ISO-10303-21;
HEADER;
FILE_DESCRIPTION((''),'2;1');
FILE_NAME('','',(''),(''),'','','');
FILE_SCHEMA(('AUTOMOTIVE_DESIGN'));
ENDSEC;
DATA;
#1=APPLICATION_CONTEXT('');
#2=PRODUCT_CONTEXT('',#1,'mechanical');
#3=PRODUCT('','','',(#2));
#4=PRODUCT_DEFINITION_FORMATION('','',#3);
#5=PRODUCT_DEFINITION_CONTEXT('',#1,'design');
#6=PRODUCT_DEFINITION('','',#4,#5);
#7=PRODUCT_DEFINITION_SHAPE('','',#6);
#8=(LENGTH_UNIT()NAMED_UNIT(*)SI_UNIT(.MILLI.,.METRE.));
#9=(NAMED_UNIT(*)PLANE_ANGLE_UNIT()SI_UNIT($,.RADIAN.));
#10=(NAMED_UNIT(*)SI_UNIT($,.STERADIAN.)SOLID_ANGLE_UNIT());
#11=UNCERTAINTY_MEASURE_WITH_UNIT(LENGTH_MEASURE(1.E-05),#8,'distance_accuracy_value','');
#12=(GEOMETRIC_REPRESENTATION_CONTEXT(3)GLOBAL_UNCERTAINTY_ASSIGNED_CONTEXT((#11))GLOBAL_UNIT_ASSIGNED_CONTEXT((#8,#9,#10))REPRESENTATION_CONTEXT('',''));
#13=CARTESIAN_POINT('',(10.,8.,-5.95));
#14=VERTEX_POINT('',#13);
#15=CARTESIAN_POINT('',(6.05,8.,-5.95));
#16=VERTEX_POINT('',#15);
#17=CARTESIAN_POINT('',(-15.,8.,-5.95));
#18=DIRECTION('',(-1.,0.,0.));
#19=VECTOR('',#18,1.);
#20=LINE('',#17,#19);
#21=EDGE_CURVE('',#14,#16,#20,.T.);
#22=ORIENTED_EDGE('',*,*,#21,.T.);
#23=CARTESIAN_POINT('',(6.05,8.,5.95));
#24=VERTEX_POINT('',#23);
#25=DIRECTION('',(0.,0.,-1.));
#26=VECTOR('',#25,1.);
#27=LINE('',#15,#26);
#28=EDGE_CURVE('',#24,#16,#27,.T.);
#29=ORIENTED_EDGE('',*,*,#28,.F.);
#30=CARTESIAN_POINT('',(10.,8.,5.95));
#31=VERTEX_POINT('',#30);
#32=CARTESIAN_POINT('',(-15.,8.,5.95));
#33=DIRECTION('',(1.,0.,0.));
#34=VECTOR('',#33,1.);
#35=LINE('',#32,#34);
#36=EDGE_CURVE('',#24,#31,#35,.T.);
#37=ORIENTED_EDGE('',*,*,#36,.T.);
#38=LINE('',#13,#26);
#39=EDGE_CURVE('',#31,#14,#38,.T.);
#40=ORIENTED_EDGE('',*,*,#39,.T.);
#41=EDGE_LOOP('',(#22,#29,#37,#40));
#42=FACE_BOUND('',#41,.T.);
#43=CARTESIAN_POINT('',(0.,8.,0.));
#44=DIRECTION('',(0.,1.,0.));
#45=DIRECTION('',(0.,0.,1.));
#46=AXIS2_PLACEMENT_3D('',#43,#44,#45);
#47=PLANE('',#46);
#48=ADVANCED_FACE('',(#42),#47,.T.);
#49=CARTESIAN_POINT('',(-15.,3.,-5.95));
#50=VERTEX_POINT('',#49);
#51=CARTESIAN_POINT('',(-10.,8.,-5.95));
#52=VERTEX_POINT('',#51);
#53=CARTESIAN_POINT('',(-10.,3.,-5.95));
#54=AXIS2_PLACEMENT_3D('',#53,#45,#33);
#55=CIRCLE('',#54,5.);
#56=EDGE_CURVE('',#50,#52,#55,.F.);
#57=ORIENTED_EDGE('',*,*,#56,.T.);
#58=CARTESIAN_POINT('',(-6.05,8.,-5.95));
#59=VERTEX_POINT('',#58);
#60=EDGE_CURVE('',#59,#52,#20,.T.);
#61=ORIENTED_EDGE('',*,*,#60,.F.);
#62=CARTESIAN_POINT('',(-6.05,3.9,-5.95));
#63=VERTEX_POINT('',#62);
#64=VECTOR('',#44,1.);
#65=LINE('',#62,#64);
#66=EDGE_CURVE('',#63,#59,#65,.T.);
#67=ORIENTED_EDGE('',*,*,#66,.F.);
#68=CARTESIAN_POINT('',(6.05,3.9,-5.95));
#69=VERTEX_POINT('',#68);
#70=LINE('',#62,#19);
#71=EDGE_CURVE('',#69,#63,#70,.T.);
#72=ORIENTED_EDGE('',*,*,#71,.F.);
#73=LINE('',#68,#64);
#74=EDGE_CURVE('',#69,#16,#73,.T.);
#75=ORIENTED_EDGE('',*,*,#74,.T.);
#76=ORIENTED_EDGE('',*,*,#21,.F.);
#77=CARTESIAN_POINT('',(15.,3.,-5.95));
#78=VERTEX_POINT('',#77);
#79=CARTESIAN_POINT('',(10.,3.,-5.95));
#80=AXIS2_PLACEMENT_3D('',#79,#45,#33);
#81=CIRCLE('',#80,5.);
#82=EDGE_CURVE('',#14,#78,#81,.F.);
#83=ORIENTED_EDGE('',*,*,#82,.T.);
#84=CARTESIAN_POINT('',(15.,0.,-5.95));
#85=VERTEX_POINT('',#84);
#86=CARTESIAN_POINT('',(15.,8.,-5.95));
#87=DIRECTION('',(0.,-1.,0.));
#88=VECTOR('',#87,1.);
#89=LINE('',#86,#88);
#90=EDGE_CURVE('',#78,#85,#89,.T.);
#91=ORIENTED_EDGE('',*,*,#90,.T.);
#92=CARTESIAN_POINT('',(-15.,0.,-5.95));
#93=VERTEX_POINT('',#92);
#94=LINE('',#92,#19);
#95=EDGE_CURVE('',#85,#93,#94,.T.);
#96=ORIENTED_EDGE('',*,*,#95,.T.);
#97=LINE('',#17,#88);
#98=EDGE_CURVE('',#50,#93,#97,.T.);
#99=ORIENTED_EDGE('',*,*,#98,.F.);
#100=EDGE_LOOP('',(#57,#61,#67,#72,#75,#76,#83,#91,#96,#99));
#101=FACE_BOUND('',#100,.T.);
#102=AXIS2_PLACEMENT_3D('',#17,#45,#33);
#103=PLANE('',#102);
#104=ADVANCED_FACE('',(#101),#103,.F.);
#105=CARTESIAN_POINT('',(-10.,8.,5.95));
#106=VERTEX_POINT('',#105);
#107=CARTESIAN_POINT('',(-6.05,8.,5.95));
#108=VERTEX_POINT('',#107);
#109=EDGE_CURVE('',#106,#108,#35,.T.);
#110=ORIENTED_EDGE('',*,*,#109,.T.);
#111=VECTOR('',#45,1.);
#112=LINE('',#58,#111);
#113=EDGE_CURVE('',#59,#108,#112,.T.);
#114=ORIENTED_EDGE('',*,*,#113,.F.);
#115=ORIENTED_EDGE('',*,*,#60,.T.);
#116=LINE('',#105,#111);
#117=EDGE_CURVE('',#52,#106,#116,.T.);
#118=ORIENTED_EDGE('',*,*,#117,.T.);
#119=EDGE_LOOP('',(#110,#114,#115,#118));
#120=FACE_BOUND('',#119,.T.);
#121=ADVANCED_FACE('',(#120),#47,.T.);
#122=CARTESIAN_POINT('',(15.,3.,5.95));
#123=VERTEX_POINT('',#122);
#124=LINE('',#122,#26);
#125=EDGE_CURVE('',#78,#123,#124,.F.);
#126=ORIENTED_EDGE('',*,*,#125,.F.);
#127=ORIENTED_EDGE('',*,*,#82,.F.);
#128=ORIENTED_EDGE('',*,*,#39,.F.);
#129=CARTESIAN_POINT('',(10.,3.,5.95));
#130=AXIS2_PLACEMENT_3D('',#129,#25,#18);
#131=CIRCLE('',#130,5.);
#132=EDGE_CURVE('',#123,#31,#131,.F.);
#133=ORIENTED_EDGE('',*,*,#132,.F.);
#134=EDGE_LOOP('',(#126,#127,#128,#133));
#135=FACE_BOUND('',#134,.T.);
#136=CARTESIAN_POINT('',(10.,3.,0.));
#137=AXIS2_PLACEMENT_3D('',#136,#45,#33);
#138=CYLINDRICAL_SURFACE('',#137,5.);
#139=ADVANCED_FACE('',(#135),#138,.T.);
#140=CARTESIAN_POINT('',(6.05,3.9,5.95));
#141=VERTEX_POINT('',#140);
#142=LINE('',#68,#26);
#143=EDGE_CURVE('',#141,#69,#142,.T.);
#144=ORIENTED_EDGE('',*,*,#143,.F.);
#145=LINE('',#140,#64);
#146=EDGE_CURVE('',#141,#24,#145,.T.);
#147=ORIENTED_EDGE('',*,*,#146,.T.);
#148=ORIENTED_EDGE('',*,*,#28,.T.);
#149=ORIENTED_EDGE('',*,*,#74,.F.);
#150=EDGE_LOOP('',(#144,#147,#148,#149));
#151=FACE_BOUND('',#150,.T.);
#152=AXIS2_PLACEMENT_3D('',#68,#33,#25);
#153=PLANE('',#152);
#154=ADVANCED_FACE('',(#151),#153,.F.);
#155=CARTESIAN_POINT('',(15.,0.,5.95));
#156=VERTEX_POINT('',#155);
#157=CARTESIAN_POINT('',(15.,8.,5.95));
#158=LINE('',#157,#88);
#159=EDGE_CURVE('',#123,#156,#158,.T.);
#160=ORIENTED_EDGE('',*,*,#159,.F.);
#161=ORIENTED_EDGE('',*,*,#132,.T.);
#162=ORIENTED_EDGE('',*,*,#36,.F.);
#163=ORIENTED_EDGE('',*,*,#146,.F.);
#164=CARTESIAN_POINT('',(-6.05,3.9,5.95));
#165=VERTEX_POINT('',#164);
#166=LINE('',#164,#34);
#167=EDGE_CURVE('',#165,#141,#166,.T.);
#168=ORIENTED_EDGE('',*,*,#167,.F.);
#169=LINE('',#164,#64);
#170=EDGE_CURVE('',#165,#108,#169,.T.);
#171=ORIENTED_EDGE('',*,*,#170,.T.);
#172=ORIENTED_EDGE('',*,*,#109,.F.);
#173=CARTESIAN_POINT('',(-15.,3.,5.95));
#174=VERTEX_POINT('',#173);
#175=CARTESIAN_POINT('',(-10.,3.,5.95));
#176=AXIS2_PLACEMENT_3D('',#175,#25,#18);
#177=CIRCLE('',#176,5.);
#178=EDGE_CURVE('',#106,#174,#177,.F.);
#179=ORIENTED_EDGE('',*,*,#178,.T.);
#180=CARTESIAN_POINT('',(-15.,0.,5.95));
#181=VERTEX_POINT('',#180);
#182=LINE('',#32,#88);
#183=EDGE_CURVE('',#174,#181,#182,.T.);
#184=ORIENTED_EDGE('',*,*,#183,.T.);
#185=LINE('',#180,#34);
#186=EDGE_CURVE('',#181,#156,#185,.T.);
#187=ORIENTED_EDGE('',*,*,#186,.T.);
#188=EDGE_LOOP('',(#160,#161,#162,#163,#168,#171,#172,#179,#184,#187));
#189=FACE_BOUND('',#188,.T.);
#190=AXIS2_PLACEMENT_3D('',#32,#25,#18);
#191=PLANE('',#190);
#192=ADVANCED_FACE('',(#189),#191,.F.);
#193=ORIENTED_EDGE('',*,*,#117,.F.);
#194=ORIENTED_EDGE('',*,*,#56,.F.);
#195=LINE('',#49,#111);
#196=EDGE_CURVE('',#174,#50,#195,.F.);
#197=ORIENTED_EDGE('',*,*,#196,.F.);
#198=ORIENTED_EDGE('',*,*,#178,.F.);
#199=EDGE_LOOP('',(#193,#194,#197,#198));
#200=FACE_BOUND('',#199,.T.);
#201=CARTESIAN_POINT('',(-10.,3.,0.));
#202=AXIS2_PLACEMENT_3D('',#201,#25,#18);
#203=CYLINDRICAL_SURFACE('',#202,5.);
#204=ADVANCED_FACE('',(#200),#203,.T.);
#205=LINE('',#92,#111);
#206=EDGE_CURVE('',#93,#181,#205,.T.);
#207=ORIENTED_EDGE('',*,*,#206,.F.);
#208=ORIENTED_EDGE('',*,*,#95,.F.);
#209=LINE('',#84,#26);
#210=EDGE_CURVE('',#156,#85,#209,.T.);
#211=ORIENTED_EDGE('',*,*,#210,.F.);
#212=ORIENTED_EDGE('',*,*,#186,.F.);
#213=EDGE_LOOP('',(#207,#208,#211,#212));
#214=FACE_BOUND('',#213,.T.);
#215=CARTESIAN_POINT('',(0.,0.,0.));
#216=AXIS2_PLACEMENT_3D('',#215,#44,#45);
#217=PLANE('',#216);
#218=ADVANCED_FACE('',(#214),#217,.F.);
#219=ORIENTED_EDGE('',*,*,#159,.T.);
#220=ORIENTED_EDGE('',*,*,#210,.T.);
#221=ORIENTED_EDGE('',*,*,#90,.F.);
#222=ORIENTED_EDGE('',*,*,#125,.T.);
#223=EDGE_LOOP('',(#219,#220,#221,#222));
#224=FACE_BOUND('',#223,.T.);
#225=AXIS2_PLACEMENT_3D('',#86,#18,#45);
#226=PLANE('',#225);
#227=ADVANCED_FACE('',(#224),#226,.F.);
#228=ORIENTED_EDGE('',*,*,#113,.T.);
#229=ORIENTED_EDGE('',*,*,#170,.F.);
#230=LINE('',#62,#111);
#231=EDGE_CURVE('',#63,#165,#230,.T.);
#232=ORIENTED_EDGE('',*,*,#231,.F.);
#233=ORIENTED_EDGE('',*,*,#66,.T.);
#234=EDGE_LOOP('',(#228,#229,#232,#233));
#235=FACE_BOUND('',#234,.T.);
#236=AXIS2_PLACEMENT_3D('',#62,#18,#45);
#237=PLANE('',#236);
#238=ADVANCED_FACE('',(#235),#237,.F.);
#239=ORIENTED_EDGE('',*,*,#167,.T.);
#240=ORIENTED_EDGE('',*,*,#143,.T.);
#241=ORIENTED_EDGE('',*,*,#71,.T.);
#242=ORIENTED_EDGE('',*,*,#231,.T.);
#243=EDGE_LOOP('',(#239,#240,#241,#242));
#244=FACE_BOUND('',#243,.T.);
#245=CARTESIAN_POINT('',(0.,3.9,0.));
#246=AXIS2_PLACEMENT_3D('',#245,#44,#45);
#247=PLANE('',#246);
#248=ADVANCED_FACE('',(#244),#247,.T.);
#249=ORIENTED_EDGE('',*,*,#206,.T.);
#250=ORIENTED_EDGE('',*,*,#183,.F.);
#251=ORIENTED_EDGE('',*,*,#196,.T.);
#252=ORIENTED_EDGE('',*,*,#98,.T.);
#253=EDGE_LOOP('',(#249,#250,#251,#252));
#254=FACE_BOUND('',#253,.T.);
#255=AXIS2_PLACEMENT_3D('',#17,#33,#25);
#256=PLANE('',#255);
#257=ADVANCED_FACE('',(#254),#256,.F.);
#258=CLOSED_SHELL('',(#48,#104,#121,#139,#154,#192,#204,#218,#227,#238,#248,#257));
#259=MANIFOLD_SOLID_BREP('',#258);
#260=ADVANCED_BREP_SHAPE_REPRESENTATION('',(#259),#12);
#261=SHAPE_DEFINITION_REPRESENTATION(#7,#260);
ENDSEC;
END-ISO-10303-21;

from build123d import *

# Parameters (mm, degrees)
SKETCH1_W           = 30
SKETCH1_H           = 11.9
BOSS_EXTRUDE1_DEPTH = 8
SKETCH3_W           = 12.1
SKETCH3_H           = 11.9
CUT_EXTRUDE1_DEPTH  = 4.1
FILLET1_R           = 5


with BuildPart() as part:
    # Sketch1 → Boss-Extrude1 (new body)
    with BuildSketch(Plane(origin=(0, 0, 0), x_dir=(1, 0, 0), z_dir=(0, 1, 0))):
        Rectangle(SKETCH1_W, SKETCH1_H)
    extrude(amount=BOSS_EXTRUDE1_DEPTH)

    # Sketch3 → Cut-Extrude1 (cut)
    with BuildSketch(Plane(origin=(0, 8, 0), x_dir=(1, 0, 0), z_dir=(0, 1, 0))):
        Rectangle(SKETCH3_W, SKETCH3_H)
    extrude(amount=-CUT_EXTRUDE1_DEPTH, mode=Mode.SUBTRACT)

    # Fillet1
    fillet1_edges = [part.edges().sort_by_distance(p)[0] for p in [
        (15, 8, 0),
        (-15, 8, 0),
    ]]
    fillet(fillet1_edges, radius=FILLET1_R)


solid = part.part
